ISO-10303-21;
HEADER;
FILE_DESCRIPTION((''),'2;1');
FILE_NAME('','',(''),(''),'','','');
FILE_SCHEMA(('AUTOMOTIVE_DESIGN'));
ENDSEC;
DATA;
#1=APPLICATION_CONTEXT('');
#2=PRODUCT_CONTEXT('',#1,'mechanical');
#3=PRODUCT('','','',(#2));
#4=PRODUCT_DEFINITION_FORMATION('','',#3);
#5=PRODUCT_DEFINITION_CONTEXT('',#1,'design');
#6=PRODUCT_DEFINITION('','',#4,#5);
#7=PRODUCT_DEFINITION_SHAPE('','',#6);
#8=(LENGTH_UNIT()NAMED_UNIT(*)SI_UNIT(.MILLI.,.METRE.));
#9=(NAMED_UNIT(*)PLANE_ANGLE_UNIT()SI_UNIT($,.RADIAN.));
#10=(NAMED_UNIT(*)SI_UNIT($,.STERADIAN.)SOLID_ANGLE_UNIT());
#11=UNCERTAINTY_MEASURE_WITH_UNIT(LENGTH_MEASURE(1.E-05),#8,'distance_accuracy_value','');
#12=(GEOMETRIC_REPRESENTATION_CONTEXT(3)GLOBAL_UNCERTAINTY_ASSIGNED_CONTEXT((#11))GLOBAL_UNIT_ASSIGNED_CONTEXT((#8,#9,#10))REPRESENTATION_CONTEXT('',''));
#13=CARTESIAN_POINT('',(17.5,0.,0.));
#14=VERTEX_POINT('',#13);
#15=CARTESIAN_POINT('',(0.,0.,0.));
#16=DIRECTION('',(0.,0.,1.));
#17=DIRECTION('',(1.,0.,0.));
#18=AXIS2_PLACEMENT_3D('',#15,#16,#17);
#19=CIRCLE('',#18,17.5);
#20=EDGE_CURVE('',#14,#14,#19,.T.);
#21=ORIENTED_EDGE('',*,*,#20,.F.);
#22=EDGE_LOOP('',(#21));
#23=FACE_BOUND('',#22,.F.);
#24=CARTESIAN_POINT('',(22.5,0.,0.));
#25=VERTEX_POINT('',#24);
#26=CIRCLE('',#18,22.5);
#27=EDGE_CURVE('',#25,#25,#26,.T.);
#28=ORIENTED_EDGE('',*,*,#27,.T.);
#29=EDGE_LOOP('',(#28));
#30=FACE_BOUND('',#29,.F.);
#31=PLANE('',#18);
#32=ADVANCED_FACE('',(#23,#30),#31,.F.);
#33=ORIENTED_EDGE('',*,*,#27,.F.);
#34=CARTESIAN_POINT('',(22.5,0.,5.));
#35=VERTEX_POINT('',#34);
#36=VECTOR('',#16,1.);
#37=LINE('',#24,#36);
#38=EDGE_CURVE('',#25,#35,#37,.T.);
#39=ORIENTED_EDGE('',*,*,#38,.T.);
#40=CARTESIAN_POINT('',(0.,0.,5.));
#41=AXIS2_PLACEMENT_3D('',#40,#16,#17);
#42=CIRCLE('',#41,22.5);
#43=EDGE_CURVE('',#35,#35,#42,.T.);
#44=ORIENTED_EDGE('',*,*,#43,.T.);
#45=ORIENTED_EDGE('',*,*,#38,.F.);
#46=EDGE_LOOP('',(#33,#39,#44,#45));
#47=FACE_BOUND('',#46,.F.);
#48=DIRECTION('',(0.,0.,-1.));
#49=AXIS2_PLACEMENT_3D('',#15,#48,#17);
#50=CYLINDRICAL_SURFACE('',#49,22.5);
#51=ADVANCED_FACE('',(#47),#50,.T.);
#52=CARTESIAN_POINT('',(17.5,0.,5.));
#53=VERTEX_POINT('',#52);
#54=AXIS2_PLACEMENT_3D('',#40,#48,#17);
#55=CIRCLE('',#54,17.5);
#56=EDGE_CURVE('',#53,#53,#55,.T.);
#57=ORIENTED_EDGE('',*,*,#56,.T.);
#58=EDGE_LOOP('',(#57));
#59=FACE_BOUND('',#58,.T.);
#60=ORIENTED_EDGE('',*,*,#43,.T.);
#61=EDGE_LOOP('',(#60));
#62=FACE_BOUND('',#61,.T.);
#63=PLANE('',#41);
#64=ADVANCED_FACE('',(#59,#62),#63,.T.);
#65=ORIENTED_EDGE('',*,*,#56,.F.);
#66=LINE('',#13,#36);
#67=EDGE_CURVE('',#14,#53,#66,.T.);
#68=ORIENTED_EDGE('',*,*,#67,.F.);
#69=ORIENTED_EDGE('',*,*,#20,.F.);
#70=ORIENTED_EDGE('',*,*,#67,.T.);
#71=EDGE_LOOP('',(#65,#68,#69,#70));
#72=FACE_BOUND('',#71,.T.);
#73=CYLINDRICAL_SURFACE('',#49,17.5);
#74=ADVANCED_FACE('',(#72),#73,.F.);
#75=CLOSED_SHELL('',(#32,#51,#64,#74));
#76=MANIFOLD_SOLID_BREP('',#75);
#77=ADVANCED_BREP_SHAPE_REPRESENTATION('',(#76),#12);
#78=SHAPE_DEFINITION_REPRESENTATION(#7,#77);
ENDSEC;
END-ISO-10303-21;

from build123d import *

# Parameters (mm, degrees)
CYLINDER006_R     = 17.5
CYLINDER006_DEPTH = 10
CYLINDER005_R     = 22.5
CYLINDER005_DEPTH = 5


with BuildPart() as cylinder006:
    # Cylinder006 → Cylinder006 (new body)
    with BuildSketch(Plane.XY):
        Circle(CYLINDER006_R)
    extrude(amount=CYLINDER006_DEPTH)


with BuildPart() as cut005:
    # Cylinder005 → Cylinder005 (new body)
    with BuildSketch(Plane.XY):
        Circle(CYLINDER005_R)
    extrude(amount=CYLINDER005_DEPTH)

    # Cut005: cut Cylinder006
    add(cylinder006.part, mode=Mode.SUBTRACT)


solid = cut005.part
